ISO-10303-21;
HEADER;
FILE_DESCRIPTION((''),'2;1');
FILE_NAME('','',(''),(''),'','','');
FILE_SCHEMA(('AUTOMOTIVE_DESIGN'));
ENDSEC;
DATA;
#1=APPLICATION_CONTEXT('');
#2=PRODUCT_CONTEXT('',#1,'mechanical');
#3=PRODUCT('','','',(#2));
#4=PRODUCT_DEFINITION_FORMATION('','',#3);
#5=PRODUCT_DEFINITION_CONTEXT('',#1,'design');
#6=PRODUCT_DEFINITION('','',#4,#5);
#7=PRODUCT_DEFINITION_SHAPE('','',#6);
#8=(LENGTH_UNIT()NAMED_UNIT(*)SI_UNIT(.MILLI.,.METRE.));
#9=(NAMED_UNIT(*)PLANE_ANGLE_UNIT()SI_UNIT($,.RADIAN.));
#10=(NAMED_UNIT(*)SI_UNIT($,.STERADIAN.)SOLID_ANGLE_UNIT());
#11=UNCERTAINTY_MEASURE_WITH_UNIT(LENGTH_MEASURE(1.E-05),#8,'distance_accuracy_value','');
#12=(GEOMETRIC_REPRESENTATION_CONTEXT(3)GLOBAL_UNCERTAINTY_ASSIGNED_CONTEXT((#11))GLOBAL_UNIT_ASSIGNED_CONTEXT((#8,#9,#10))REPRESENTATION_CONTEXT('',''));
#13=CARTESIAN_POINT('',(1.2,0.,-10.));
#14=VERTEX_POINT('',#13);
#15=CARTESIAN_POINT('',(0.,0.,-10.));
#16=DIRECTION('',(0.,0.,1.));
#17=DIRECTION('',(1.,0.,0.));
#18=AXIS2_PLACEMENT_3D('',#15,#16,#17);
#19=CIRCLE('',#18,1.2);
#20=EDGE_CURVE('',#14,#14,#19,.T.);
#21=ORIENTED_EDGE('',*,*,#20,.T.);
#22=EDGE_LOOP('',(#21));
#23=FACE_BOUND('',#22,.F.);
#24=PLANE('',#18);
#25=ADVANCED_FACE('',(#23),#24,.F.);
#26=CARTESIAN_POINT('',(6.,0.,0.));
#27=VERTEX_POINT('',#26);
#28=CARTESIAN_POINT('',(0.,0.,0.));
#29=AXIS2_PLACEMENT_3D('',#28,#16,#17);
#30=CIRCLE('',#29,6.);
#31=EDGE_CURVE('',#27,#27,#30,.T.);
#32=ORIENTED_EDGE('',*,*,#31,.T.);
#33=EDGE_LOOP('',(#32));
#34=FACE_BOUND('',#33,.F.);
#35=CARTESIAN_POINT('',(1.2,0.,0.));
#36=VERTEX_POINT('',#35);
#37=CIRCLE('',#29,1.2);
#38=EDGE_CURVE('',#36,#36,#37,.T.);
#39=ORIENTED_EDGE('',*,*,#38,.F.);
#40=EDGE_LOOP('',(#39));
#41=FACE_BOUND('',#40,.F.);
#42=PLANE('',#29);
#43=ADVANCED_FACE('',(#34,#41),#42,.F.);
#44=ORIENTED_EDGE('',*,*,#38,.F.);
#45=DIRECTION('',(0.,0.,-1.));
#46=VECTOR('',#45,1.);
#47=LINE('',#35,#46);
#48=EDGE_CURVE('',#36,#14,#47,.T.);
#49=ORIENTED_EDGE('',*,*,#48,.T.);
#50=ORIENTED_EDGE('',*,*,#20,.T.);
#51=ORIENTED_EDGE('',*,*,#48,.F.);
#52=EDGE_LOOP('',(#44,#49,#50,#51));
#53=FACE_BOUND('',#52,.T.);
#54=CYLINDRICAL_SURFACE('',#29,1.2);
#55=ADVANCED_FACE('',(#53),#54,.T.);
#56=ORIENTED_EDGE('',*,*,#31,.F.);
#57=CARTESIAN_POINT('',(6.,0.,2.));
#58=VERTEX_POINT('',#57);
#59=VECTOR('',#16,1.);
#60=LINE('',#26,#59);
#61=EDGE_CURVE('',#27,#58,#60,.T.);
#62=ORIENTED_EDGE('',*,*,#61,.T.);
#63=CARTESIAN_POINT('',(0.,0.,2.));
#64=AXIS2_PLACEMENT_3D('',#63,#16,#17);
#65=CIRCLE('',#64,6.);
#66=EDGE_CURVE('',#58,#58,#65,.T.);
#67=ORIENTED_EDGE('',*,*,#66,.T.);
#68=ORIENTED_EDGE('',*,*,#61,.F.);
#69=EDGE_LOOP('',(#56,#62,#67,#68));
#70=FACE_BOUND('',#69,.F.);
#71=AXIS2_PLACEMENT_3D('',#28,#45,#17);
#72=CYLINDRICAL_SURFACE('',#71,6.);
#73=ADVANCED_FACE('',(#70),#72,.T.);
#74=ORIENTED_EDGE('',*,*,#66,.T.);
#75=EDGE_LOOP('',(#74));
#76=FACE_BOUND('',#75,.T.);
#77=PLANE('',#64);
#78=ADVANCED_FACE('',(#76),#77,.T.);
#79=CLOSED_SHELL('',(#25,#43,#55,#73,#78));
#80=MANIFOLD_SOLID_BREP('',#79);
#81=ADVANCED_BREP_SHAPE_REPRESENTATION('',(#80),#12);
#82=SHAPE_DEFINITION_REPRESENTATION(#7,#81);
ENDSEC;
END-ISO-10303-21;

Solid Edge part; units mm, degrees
sketch "Sketch1" plane through (0, 0, 0) normal (0, 0, 1) x (1, 0, 0)
  circle A0 centre (0, 0) radius 6
extrude "Protrusion1" add sketch "Sketch1" along normal blind 2
sketch "Sketch2" plane through (0, 0, 0) normal (0, 0, 1) x (1, 0, 0)
  circle A0 centre (0, 0) radius 1.2
extrude "ExtrudedProtrusion_3" add sketch "Sketch2" against normal blind 10
